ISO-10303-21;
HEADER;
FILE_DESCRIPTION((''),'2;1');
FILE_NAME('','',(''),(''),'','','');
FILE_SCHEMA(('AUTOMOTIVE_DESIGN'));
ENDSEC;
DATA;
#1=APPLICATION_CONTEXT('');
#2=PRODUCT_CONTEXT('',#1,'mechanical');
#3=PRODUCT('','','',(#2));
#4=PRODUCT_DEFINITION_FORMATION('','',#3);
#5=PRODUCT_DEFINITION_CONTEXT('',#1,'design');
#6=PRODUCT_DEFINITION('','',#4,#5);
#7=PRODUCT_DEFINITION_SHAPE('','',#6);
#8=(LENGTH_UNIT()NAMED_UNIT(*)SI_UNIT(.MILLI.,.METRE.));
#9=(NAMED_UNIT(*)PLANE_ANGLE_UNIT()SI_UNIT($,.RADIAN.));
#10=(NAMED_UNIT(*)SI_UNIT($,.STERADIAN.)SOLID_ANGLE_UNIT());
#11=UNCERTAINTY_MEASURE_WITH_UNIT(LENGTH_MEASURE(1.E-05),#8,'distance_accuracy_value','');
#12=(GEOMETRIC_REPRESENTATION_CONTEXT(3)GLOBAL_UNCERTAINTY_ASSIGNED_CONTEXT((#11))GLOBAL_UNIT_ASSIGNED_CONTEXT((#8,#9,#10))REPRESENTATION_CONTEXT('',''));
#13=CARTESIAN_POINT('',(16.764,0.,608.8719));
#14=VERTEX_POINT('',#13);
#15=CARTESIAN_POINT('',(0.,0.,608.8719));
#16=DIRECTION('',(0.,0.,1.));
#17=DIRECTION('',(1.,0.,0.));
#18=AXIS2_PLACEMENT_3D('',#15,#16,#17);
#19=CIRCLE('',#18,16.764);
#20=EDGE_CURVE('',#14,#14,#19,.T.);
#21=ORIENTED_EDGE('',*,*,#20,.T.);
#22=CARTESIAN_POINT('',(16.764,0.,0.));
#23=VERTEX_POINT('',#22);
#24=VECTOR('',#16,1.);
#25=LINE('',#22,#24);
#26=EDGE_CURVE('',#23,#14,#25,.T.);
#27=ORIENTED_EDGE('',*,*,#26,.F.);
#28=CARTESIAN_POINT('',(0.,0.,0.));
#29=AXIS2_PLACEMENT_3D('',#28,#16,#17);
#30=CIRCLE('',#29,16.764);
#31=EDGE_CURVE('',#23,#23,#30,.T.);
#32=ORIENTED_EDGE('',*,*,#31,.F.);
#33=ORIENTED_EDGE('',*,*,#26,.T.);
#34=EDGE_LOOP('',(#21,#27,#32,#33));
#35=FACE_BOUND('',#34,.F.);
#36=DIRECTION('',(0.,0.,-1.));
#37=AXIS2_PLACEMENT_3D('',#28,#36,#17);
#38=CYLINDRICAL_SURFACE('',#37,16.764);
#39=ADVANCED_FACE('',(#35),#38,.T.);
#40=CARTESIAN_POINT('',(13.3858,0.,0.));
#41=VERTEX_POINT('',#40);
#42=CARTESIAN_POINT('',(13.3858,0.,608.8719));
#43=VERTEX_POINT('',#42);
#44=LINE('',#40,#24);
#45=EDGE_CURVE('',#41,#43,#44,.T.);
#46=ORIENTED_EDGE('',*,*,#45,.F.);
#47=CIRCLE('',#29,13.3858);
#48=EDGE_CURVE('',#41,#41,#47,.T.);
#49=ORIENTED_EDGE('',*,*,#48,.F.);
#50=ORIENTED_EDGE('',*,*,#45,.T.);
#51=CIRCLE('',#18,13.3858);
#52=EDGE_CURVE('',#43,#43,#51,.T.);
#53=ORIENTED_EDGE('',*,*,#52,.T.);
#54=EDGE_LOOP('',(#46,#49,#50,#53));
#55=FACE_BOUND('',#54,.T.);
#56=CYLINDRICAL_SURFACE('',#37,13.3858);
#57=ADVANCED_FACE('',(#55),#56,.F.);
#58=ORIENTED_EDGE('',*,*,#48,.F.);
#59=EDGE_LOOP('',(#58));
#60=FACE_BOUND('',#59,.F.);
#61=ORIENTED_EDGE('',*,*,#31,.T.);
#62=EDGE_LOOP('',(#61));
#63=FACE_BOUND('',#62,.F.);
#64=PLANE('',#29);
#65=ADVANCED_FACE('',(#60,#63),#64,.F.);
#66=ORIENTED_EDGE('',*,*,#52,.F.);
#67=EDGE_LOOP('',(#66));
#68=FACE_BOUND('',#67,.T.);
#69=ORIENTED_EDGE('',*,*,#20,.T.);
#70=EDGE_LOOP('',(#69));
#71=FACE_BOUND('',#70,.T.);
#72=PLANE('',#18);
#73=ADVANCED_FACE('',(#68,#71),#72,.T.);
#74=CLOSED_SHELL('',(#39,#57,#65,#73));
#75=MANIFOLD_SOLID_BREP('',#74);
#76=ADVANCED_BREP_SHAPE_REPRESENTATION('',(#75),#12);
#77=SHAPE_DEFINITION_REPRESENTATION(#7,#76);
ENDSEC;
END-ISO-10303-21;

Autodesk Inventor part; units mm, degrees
ref_plane "YZ Plane" through (0, 0, 0) normal (1, 0, 0) x (0, 1, 0)
ref_plane "Start plane" through (0, 0, 0) normal (0, 0, 1) x (1, 0, 0)
ref_plane "End plane" through (0, 0, 608.8719) normal (0, 0, 1) x (1, 0, 0)
sketch "Sketch" plane through (0, 0, 0) normal (0, 0, 1) x (1, 0, 0)
  circle A0 centre (0, 0) radius 13.3858
  circle A1 centre (0, 0) radius 16.764
  dimension "d0" = 33.528
  dimension "d1" = 3.3782
extrude "Body" add sketch "Sketch" along normal up to surface (608.8719 mm away) from surface at 0
sketch "Sketch3" plane through (0, 0, 0) normal (0, 0, 1) x (1, 0, 0)
  line L0 (0, 0) -> (10, 0)
ref_plane "Work Plane3" through (0, 0, 0) normal (0, -1, 0) x (1, 0, 0)
sketch "Sketch4" plane through (0, 0, 0) normal (0, -1, 0) x (1, 0, 0)
  line L0 (-2, 0) -> (12, 0) projected
  line L1 (-2, 608.8719) -> (12, 608.8719) projected
  dimension "d7" = 608.8719
equation "\"d0\" = G_H"
equation "\"d1\" = G_T"
equation "\"d2\" = G_L"
equation "\"G_H\" = 33.528"
equation "\"G_T\" = 3.3782"
equation "\"G_L\" = d7"
equation "\"G_OFFSET_START\" = 0"
equation "\"G_OFFSET_END\" = 0"
equation "\"d5\" = G_OFFSET_END + B_L"
equation "\"B_L\" = 608.87191"
properties part number "ANSI - 1 x 0.133 - 23.971" material "Steel, Mild"
